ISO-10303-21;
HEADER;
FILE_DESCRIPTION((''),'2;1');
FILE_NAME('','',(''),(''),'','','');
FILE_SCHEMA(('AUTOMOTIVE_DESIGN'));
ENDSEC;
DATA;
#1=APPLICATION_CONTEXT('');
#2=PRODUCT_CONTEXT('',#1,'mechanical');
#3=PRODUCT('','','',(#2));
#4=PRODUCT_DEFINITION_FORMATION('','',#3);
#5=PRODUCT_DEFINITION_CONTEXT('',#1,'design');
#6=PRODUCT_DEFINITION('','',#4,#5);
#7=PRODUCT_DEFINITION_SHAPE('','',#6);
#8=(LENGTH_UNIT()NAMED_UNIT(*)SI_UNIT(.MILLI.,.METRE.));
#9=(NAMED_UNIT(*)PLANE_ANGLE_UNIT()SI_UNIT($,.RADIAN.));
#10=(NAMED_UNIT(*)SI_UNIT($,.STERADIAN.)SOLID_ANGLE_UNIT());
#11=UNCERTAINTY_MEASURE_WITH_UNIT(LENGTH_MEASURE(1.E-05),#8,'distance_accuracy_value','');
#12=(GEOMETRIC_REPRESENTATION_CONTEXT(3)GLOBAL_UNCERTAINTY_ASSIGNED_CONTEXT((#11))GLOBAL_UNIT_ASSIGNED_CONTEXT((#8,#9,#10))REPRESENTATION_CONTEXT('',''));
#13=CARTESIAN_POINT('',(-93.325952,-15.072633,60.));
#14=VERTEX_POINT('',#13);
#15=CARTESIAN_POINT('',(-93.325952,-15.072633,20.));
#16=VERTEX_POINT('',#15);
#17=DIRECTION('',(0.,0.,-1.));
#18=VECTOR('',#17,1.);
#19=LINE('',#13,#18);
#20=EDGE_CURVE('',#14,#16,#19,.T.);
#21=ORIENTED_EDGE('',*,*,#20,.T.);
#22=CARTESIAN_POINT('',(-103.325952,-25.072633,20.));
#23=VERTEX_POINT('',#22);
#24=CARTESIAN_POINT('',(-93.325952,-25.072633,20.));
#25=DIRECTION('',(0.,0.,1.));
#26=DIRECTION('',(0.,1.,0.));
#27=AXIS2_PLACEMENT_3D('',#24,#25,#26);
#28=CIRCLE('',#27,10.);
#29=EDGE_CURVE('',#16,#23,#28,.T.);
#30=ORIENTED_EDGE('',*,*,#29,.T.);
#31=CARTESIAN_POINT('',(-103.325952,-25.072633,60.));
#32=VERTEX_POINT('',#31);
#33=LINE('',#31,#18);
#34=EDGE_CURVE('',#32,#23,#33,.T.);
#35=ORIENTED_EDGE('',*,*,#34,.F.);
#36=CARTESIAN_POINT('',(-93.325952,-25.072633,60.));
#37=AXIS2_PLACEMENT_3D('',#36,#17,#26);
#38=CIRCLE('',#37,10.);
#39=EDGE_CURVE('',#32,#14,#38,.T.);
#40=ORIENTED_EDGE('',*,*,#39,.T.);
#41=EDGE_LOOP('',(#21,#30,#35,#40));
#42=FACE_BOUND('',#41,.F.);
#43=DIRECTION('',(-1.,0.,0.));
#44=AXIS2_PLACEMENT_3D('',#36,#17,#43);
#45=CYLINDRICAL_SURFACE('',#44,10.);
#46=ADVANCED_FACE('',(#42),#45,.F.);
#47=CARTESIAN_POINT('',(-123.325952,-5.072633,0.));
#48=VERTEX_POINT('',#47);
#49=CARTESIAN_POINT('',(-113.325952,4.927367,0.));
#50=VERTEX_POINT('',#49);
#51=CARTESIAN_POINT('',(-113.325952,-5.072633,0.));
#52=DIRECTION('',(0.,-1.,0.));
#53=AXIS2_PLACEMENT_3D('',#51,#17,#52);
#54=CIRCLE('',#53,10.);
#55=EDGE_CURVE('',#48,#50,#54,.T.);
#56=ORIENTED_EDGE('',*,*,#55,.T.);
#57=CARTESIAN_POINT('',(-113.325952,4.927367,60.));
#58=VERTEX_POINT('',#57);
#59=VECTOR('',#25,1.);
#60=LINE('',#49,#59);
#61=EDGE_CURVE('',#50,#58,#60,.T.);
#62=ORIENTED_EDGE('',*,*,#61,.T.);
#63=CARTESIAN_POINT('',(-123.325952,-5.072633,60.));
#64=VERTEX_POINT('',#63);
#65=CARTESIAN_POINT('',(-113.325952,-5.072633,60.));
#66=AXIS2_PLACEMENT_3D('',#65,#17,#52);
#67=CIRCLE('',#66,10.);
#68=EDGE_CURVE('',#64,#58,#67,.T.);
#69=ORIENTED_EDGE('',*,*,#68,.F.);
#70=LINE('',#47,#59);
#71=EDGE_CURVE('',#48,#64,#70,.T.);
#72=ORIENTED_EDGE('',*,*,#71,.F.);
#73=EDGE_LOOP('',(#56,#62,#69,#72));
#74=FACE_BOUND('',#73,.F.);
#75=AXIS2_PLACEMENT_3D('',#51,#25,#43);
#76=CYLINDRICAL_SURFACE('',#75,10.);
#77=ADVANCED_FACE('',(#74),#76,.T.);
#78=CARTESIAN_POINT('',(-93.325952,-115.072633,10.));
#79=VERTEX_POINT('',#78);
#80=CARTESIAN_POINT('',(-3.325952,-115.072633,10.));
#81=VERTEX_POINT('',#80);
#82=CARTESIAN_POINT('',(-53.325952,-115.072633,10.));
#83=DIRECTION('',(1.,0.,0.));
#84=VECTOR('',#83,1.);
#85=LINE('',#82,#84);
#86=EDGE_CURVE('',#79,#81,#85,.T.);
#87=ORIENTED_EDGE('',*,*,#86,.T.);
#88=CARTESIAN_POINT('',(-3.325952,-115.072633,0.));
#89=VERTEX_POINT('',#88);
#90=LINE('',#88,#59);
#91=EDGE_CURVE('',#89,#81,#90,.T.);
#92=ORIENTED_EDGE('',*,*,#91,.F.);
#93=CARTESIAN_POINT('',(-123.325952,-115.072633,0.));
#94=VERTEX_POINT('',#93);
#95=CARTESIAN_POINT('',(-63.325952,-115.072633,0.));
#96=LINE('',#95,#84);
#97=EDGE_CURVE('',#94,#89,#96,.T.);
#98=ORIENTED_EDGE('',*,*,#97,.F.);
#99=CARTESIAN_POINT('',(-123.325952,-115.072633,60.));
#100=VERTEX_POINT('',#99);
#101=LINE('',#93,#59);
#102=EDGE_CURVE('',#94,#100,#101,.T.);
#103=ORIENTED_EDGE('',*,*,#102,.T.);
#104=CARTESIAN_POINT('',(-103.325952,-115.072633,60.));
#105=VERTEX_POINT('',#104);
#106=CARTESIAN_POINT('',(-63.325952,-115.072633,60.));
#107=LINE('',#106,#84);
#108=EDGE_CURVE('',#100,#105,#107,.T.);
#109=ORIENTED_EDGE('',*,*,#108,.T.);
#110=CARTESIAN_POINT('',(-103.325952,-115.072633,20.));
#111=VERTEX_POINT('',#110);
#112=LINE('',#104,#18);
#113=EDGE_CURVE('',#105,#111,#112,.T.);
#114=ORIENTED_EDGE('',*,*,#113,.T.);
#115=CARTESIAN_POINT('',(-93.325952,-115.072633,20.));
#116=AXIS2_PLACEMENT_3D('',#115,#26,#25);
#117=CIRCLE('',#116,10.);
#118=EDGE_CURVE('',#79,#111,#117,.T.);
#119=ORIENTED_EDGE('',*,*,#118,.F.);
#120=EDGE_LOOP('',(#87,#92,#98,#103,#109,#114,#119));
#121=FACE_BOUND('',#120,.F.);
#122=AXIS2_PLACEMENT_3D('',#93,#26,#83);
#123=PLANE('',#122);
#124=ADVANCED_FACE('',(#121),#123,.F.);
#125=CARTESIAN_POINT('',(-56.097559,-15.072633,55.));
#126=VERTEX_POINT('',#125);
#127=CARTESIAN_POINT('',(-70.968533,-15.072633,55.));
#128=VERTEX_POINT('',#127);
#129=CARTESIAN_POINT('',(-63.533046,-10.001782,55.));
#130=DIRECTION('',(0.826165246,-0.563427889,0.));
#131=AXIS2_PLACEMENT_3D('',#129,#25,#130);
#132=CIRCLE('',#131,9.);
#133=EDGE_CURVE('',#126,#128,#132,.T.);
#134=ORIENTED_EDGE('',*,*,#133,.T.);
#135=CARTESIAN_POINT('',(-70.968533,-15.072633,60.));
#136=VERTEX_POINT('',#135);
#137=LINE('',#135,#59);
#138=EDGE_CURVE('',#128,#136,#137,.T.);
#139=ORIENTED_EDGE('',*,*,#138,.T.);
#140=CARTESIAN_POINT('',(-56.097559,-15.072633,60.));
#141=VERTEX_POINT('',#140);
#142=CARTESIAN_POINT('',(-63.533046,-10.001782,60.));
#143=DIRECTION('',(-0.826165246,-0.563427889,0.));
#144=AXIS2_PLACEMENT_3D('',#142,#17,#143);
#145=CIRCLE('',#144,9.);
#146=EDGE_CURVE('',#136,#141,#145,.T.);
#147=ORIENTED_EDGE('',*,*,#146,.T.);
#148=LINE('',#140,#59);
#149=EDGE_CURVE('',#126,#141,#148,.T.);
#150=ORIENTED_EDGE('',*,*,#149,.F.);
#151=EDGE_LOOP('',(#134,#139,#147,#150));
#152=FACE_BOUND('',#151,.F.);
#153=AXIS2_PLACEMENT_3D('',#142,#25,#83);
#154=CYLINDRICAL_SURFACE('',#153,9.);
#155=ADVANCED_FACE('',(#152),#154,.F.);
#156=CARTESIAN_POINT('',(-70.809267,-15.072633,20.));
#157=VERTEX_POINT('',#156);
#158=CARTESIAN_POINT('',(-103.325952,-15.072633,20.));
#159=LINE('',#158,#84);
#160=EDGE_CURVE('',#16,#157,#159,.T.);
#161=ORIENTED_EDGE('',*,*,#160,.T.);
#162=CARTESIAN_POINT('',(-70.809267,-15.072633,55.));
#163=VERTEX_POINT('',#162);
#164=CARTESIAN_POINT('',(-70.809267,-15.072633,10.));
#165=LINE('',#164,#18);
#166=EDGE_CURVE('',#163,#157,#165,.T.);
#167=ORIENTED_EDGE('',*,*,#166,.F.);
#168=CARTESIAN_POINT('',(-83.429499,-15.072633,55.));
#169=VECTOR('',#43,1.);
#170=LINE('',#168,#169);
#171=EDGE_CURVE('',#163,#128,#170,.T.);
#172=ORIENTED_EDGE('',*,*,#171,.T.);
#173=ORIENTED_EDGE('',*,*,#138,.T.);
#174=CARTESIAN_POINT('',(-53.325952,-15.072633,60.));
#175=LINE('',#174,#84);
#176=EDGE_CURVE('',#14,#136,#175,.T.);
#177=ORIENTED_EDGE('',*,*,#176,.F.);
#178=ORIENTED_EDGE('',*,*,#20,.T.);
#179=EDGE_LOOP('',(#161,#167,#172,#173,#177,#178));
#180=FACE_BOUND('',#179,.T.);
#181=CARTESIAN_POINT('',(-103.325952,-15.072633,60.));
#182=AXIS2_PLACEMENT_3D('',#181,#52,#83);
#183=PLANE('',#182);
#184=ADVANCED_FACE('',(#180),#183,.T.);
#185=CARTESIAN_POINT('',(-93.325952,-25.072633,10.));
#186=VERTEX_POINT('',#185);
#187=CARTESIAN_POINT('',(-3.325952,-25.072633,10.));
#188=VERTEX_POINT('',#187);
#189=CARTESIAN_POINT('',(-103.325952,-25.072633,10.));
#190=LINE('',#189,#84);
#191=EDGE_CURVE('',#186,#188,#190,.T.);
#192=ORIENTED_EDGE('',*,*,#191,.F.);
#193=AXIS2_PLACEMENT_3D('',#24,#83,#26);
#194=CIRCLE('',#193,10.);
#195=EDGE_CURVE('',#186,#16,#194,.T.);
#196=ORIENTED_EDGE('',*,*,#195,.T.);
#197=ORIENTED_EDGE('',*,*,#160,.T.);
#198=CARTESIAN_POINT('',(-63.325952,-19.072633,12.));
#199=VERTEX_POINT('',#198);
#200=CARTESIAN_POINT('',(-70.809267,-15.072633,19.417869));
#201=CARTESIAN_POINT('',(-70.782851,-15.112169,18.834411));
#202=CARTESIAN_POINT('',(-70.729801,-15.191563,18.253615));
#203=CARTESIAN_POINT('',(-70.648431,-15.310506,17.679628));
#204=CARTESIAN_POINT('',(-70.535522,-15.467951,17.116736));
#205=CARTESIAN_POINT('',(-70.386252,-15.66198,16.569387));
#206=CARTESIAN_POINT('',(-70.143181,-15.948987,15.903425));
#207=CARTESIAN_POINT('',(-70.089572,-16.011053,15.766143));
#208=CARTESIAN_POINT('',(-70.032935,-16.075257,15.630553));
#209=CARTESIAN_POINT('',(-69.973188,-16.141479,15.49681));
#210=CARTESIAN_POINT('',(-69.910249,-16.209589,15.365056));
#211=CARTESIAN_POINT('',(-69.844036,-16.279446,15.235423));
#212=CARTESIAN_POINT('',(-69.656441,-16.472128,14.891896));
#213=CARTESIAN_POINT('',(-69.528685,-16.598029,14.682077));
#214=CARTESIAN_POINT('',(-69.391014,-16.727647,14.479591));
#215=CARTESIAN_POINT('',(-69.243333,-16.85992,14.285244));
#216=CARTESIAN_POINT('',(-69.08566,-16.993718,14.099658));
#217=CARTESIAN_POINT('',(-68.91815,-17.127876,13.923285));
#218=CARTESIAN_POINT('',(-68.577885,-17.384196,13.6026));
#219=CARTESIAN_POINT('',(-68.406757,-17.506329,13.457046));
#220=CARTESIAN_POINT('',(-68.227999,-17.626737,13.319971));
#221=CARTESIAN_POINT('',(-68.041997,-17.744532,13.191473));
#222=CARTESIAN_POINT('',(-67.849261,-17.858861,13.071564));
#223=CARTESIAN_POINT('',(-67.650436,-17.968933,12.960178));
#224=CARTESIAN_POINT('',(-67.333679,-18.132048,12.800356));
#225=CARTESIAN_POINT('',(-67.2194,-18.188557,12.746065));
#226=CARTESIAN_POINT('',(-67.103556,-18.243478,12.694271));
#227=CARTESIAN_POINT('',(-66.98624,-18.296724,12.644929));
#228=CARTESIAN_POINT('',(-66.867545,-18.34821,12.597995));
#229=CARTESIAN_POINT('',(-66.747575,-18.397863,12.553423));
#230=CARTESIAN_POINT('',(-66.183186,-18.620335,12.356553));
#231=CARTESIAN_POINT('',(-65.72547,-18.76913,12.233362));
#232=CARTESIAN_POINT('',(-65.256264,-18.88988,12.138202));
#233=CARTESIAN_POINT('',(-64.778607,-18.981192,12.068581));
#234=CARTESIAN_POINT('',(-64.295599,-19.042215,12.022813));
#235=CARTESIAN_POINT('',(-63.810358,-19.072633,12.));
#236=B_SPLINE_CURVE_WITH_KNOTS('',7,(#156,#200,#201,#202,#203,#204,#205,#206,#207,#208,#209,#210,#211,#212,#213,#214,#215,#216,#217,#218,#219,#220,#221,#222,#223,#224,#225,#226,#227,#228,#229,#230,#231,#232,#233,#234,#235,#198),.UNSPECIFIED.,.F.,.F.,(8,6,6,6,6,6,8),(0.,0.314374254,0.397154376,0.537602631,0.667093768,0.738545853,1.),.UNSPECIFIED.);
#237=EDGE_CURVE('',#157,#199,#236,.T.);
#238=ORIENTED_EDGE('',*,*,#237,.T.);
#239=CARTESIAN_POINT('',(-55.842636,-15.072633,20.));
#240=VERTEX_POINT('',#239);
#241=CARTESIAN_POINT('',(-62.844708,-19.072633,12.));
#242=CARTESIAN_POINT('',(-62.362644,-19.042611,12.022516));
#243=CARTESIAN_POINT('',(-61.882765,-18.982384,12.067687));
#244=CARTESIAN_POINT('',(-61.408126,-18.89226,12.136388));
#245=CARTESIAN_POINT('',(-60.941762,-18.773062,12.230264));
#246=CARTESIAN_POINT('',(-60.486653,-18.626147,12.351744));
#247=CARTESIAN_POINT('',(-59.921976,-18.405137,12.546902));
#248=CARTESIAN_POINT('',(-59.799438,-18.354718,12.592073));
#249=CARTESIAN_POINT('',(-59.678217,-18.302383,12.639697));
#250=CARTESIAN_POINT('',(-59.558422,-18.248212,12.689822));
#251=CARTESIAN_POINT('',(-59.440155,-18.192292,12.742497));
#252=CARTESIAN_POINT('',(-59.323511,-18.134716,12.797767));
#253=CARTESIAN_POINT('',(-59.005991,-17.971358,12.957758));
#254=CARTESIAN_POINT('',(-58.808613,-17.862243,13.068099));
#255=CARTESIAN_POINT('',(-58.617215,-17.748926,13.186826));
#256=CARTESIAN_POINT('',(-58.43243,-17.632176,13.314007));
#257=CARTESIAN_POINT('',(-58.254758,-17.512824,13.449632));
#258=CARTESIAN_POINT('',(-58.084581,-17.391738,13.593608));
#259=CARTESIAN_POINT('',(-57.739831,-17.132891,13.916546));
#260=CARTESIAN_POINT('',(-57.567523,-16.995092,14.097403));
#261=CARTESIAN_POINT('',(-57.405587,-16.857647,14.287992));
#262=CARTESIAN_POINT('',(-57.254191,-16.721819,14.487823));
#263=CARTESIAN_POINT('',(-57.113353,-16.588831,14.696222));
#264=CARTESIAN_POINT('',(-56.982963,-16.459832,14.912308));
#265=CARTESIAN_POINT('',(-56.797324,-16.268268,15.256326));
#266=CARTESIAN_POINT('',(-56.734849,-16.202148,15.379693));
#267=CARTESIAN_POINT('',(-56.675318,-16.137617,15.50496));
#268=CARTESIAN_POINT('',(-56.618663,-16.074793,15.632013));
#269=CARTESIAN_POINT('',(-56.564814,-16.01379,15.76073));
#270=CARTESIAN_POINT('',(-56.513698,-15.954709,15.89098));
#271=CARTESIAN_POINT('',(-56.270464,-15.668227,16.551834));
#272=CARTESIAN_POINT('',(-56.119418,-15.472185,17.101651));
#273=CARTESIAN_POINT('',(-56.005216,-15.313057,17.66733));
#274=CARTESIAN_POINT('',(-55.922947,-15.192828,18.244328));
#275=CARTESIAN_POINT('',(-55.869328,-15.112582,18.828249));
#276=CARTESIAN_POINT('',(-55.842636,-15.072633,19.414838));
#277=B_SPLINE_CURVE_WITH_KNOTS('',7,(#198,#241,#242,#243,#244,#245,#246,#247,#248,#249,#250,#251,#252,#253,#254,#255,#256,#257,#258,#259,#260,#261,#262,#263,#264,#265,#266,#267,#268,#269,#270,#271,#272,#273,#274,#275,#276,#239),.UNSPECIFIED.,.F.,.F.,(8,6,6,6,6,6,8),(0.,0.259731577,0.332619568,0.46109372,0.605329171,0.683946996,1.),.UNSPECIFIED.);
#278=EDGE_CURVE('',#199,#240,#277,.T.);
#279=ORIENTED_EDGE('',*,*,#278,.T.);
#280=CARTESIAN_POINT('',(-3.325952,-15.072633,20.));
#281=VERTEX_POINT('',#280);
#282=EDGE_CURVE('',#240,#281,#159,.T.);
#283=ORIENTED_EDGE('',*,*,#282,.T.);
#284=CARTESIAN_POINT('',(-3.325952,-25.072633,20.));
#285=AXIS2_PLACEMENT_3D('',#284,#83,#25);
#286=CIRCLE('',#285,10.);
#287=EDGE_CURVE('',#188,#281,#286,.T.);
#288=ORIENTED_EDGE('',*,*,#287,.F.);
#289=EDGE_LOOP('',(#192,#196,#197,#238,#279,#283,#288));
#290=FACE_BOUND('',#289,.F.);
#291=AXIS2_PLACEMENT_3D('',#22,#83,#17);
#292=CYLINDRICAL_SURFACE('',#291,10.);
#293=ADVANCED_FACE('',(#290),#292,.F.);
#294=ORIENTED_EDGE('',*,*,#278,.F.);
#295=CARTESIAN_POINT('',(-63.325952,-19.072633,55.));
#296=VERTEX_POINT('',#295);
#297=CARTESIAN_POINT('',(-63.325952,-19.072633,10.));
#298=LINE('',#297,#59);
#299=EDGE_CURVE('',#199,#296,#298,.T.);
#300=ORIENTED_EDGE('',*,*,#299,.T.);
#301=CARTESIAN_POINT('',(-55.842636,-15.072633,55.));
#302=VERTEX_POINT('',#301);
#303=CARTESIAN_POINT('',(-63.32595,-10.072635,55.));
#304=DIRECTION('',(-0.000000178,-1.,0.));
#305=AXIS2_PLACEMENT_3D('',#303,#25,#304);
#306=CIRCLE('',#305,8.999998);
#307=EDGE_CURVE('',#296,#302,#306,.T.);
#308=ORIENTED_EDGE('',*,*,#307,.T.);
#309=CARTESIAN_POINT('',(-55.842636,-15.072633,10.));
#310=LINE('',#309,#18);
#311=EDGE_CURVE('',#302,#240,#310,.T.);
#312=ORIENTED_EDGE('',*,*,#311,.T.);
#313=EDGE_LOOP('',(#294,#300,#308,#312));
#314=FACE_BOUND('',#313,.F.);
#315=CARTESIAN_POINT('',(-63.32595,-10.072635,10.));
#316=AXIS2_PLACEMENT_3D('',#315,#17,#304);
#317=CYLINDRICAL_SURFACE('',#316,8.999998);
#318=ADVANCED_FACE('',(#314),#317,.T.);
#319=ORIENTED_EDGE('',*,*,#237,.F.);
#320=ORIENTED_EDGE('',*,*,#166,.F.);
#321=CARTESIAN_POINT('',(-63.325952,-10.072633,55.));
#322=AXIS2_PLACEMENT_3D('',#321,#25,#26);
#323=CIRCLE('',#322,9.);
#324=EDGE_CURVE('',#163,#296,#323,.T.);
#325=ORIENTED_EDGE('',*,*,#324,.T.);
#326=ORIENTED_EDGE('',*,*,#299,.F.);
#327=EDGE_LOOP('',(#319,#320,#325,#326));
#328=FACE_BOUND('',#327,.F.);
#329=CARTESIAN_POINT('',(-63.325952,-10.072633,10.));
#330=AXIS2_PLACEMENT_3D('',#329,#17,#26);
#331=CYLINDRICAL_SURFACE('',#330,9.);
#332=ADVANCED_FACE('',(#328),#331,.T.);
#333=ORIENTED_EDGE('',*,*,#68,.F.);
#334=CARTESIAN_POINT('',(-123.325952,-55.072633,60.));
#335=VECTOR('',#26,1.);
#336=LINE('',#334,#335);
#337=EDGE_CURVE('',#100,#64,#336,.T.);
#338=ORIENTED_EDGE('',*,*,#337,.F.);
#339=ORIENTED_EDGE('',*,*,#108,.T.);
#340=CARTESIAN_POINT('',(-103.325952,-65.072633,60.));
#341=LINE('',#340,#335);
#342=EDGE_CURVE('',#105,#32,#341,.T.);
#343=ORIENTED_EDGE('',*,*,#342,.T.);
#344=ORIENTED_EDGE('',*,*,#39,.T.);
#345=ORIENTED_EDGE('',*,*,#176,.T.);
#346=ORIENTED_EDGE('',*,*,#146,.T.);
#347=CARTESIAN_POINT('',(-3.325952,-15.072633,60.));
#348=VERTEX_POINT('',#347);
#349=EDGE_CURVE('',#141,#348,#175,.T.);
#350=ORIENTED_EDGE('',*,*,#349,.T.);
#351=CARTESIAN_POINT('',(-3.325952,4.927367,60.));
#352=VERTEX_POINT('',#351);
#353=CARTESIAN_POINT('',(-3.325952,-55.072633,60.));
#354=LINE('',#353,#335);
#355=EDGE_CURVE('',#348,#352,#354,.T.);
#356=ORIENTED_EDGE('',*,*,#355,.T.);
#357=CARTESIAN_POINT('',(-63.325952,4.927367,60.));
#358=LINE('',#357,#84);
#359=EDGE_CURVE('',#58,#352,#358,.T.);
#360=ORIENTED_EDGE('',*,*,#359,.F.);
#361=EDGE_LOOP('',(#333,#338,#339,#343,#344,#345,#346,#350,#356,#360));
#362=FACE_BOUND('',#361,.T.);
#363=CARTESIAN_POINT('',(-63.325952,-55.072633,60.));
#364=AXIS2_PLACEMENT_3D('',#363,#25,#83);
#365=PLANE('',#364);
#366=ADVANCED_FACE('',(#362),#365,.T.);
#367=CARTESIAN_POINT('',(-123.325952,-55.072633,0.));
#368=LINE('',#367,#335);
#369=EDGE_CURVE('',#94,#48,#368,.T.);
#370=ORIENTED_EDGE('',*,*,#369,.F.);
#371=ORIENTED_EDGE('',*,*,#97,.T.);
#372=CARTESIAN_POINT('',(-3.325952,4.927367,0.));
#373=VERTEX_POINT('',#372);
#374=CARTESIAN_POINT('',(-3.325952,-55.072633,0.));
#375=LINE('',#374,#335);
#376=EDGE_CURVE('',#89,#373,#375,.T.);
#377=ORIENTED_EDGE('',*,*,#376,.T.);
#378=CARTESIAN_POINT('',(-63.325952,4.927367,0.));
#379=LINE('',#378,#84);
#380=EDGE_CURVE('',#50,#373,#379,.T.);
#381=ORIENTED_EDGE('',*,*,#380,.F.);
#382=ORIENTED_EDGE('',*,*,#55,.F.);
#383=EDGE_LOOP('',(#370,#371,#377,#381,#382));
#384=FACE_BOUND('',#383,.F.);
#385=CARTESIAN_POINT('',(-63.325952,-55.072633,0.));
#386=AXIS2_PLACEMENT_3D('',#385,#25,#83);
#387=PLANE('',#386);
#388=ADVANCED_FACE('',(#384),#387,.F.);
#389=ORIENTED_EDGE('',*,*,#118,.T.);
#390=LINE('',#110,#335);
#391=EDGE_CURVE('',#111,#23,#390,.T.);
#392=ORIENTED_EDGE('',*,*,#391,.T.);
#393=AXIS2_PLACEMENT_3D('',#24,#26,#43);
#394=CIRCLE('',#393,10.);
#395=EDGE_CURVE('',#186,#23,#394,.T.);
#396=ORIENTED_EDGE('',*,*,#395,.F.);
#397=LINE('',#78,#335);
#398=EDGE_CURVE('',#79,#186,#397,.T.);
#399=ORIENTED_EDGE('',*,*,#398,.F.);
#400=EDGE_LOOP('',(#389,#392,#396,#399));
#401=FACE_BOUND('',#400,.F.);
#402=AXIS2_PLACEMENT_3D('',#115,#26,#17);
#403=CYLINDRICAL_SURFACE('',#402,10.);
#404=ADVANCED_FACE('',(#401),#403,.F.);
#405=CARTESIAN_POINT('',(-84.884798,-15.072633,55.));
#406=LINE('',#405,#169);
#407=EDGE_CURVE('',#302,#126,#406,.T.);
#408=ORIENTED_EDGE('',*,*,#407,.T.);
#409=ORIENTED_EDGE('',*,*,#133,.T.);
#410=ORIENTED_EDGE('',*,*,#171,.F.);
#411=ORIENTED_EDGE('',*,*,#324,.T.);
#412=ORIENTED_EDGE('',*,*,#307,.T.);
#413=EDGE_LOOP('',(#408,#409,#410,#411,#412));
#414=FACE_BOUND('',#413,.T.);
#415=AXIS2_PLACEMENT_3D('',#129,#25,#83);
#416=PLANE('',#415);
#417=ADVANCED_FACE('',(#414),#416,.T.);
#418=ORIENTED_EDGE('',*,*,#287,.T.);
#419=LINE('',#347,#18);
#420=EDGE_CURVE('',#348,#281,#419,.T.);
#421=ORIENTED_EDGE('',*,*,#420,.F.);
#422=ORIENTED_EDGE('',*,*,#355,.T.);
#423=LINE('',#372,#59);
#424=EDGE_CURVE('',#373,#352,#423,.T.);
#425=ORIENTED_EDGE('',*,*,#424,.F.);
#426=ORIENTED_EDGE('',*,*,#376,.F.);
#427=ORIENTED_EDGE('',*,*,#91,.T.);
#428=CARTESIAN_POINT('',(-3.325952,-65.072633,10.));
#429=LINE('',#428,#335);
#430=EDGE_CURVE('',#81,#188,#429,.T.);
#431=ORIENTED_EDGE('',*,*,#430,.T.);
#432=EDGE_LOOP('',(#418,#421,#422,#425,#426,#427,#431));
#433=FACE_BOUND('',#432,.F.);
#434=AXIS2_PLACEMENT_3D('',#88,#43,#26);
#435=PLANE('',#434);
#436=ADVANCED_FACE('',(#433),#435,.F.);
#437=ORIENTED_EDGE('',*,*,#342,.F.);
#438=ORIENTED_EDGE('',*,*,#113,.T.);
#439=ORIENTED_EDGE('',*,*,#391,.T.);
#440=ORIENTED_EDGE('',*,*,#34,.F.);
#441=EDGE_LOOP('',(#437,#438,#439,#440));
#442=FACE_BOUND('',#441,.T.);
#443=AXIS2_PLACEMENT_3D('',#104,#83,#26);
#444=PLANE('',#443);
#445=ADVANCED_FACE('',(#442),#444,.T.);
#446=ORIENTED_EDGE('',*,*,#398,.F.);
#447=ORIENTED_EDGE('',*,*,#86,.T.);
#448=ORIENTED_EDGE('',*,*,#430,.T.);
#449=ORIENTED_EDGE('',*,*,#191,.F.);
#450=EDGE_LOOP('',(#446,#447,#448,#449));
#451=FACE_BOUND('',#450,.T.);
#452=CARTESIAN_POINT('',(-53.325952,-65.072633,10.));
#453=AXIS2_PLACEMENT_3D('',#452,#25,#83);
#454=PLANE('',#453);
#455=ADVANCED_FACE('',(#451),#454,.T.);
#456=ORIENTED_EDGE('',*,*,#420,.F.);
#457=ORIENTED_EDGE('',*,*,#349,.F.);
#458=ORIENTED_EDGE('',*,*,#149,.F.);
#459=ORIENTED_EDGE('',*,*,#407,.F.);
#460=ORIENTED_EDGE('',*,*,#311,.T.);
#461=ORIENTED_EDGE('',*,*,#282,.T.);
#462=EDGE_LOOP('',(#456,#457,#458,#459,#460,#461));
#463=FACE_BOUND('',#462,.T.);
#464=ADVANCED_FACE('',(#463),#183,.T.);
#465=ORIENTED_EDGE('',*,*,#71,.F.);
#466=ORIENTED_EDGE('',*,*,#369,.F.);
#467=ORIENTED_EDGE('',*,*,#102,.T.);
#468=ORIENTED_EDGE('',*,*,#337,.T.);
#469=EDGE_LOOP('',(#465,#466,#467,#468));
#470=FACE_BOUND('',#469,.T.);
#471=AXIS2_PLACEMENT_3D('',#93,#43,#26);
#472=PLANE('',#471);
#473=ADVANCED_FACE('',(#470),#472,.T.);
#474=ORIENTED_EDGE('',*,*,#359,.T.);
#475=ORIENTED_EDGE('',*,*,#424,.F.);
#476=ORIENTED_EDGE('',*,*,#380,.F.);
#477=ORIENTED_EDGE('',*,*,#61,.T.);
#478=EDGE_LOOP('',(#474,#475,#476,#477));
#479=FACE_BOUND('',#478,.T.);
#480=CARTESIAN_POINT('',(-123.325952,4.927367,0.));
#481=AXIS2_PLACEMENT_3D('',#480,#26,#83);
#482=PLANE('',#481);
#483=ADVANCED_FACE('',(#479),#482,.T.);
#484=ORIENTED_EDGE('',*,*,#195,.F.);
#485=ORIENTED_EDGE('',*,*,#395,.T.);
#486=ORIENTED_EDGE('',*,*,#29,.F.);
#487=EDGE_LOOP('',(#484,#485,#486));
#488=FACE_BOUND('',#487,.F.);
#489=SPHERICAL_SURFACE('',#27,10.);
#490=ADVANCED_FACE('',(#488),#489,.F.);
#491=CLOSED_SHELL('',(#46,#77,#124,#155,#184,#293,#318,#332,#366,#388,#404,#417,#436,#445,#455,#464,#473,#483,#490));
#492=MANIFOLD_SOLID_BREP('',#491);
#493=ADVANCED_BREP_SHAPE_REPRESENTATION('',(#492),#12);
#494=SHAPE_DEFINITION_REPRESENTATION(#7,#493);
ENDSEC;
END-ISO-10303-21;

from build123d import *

# Parameters (mm, degrees)
F0_W     = 120
F0_H     = 120
F1_DEPTH = 60
F2_W     = 100
F2_H     = 100
F3_DEPTH = 50
F4_R     = 10
F5_R     = 9
F6_DEPTH = 5
F7_R     = 10
F9_DEPTH = 45


with BuildPart() as f1:
    # F0 (on Top) → F1 (new body)
    with BuildSketch(Plane.XY):
        with Locations((-63.325952, -55.072633)):
            Rectangle(F0_W, F0_H)
    extrude(amount=F1_DEPTH)

    # F2 (on face) → F3 (cut)
    with BuildSketch(Plane.XY.offset(60)):
        with Locations((-53.325952, -65.072633)):
            Rectangle(F2_W, F2_H)
    extrude(amount=-F3_DEPTH, mode=Mode.SUBTRACT)

    # F4
    f4_edges = [f1.edges().sort_by_distance(p)[0] for p in [
        (-103.325952, -15.072633, 35),
        (-53.325952, -15.072633, 10),
        (-103.325952, -65.072633, 10),
    ]]
    fillet(f4_edges, radius=F4_R)

    # F5 (on face) → F6 (cut)
    with BuildSketch(Plane.XY.offset(60)):
        with Locations((-63.533046, -10.001782)):
            Circle(F5_R)
    extrude(amount=-F6_DEPTH, mode=Mode.SUBTRACT)

    # F7
    f7_edges = [f1.edges().sort_by_distance(p)[0] for p in [
        (-123.325952, 4.927367, 30),
    ]]
    fillet(f7_edges, radius=F7_R)

    # F8 (on face) → F9 (join)
    with BuildSketch(Plane.XY.offset(10)):
        with BuildLine():
            ThreePointArc((-63.325952, -1.072633), (-72.325952, -10.072633), (-63.325952, -19.072633))
            Line((-63.325952, -19.072633), (-63.325952, -1.072633))
        make_face()
        with BuildLine():
            Line((-63.325952, -1.072633), (-63.325952, -19.072633))
            ThreePointArc((-63.325952, -19.072633), (-56.96199, -16.436594), (-54.325952, -10.072633))
            ThreePointArc((-54.325952, -10.072633), (-56.96199, -3.708672), (-63.325952, -1.072633))
        make_face()
    extrude(amount=F9_DEPTH)


solid = f1.part
